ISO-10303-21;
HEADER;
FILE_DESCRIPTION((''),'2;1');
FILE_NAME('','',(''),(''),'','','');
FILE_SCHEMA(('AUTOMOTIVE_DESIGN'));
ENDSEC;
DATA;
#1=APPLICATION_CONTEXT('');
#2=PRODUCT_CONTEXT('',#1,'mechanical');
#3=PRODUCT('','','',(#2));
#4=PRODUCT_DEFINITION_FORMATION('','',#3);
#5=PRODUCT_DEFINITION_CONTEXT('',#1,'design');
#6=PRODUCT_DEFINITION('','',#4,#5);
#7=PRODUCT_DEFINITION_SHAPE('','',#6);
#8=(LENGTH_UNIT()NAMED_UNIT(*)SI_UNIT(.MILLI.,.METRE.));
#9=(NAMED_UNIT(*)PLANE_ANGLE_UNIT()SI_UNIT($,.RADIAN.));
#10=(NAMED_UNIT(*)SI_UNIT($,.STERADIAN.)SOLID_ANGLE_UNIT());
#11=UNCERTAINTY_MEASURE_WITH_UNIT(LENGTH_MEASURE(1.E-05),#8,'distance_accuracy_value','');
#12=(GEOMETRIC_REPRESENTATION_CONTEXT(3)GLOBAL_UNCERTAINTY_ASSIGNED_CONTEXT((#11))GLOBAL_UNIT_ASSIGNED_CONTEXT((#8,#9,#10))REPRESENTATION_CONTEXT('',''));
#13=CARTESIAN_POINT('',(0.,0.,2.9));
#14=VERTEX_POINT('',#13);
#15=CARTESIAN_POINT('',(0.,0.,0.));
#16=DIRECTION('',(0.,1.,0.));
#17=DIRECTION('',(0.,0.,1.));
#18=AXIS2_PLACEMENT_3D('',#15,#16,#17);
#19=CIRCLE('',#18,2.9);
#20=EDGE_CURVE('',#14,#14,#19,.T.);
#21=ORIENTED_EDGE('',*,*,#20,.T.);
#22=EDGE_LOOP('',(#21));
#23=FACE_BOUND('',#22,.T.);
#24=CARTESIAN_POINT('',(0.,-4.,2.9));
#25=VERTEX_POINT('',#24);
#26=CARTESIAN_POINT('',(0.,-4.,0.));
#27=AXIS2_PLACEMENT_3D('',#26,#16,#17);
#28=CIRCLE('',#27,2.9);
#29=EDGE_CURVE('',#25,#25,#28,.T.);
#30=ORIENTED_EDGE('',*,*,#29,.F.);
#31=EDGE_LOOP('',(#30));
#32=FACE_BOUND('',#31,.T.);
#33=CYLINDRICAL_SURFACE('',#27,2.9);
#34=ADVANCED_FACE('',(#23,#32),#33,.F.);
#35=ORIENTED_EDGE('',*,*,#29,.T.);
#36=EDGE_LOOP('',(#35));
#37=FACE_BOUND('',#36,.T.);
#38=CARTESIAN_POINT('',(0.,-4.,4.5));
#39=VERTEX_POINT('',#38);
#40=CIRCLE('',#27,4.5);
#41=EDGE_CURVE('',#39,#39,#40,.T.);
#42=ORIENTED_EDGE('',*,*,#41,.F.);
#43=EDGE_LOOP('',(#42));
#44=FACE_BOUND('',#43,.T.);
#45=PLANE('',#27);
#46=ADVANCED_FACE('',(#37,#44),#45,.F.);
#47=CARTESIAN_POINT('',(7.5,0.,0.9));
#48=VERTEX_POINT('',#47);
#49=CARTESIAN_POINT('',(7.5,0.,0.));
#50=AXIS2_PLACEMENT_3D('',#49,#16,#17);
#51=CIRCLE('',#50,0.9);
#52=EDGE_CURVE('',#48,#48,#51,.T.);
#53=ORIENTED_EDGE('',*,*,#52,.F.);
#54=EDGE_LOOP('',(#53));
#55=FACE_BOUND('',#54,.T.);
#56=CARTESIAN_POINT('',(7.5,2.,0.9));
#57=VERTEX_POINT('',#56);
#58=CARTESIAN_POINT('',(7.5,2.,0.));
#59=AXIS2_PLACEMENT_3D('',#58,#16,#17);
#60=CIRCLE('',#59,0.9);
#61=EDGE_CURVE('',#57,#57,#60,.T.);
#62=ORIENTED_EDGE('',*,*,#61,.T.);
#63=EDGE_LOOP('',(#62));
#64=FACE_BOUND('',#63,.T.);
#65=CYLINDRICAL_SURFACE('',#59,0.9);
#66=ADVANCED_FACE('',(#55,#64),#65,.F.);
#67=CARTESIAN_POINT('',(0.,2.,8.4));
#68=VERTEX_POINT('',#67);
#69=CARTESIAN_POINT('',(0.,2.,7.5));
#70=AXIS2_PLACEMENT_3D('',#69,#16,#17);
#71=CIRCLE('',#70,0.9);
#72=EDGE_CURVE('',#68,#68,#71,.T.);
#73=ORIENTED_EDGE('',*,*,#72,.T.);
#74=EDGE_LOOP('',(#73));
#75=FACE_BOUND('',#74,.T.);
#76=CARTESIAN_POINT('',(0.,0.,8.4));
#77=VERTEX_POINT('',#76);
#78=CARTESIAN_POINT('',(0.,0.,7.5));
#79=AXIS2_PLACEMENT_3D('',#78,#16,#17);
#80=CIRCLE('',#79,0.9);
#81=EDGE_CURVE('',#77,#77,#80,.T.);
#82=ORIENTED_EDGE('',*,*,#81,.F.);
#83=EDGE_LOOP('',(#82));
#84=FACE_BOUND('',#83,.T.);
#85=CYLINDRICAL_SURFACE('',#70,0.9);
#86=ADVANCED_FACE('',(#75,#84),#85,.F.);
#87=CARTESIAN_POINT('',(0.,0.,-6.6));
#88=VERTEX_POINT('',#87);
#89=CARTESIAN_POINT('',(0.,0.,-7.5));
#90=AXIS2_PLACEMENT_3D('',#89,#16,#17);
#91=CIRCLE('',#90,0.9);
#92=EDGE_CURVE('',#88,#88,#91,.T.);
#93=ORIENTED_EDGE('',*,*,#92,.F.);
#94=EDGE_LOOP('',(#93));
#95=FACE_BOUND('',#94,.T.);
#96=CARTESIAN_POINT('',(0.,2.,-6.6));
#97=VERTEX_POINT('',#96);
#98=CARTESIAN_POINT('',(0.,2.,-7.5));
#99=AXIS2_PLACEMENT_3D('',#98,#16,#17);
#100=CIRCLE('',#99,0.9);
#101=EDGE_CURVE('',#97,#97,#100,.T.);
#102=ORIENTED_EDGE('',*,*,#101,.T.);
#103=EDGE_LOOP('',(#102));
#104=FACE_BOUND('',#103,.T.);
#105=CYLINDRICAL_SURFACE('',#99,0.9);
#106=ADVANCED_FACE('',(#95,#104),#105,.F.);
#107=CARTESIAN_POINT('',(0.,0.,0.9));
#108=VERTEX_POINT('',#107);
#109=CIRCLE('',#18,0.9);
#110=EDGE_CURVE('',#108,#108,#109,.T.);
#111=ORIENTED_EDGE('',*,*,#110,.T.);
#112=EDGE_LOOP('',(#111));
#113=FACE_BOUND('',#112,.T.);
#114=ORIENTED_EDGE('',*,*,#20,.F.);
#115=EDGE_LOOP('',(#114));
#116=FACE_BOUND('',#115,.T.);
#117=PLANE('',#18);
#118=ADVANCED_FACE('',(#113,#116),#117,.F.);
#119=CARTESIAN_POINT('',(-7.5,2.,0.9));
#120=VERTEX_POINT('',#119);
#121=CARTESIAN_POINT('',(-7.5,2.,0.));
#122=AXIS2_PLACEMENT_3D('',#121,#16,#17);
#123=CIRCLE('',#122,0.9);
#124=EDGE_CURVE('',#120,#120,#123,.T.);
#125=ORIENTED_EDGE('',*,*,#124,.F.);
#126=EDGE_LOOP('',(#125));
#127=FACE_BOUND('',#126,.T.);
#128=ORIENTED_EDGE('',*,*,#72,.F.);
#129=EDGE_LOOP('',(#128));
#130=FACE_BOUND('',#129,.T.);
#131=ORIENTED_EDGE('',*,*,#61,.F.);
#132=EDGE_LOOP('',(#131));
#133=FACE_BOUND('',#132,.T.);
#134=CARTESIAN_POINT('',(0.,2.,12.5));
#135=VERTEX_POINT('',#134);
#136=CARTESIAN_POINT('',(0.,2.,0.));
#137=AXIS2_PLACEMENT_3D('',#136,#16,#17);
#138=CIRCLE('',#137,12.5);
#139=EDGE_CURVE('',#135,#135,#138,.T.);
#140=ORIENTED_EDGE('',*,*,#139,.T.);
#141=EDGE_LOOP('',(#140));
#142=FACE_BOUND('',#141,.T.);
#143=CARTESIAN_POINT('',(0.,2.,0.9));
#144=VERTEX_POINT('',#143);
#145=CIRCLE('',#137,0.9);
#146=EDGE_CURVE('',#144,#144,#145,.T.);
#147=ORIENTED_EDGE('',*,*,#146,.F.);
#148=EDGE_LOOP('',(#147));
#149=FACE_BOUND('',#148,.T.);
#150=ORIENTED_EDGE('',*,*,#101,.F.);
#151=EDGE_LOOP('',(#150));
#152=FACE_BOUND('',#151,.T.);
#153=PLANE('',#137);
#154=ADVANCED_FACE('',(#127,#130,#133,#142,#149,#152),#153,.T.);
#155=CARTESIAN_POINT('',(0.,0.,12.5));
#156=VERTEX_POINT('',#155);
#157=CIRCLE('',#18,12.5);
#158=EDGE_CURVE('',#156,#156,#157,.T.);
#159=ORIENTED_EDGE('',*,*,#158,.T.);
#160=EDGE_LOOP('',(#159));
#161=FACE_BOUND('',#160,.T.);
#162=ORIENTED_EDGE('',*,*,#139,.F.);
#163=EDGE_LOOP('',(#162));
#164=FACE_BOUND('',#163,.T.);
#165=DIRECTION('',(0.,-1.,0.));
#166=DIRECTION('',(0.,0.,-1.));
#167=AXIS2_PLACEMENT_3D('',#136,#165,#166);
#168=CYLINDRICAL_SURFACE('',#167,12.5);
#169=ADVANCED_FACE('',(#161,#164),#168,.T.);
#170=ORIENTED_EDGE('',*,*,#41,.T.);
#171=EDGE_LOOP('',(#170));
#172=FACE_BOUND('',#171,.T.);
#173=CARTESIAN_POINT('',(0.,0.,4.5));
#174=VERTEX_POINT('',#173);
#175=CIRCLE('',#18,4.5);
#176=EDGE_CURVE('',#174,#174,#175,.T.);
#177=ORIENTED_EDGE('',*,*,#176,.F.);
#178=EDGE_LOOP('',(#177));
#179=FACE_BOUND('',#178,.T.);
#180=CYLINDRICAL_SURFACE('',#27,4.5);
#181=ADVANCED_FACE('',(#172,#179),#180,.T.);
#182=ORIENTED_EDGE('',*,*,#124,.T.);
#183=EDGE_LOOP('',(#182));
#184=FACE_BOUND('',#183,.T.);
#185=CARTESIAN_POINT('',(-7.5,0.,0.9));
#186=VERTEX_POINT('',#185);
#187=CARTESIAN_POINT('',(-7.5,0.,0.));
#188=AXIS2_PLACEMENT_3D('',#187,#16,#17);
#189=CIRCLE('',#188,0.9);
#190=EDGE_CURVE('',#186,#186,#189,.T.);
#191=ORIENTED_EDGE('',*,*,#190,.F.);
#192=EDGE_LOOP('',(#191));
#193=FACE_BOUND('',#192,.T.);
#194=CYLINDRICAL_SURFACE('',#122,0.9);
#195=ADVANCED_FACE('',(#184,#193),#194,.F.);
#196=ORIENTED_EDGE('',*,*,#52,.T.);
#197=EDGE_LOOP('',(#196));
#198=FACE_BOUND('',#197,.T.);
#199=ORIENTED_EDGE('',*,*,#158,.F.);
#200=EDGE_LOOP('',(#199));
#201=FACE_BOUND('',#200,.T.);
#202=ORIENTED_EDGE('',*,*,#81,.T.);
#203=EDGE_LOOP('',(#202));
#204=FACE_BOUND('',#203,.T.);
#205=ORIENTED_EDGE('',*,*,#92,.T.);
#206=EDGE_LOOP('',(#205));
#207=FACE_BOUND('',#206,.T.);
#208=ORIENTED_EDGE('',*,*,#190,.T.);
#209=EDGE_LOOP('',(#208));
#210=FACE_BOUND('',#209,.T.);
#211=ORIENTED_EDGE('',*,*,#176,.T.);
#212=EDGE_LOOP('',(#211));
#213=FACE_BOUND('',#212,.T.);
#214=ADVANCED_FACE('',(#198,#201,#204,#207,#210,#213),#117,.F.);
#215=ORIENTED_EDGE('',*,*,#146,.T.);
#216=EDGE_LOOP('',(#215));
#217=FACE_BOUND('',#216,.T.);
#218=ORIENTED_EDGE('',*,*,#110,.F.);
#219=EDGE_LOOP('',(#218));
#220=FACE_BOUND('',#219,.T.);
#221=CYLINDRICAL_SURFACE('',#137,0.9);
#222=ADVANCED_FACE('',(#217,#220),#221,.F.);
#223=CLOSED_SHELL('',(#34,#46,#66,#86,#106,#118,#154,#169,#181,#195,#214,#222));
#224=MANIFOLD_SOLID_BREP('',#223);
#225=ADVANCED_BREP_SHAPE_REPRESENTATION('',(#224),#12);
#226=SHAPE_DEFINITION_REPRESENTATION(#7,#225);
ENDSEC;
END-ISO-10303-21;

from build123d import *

# Parameters (mm, degrees)
CROQUIS1_R                     = 12.5
CROQUIS1_R_2                   = 4.5
CROQUIS1_R_3                   = 2.9
SALIENTE_EXTRUIR1_DEPTH        = 2
CROQUIS1_3_R                   = 4.5
CROQUIS1_3_R_2                 = 2.9
SALIENTE_EXTRUIR2_DEPTH        = 4
TALADRO_DE_MARGEN_PARA_M1_61_D = 1.8


with BuildPart() as part:
    # Croquis1 → Saliente-Extruir1 (new body)
    # profile 1 of 3: a face of its own
    with BuildSketch(Plane(origin=(0, 0, 0), x_dir=(1, 0, 0), z_dir=(0, 1, 0))):
        with Locations(Location((0, 0, 0), (0, 0, 270))):
            Circle(CROQUIS1_R)
        Circle(CROQUIS1_R_2, mode=Mode.SUBTRACT)
    # profile 2 of 3: a face of its own
    with BuildSketch(Plane(origin=(0, 0, 0), x_dir=(1, 0, 0), z_dir=(0, 1, 0))):
        Circle(CROQUIS1_R_2)
        Circle(CROQUIS1_R_3, mode=Mode.SUBTRACT)
    # profile 3 of 3: a face of its own
    with BuildSketch(Plane(origin=(0, 0, 0), x_dir=(1, 0, 0), z_dir=(0, 1, 0))):
        Circle(CROQUIS1_R_3)
    extrude(amount=SALIENTE_EXTRUIR1_DEPTH)

    # Croquis1<3> → Saliente-Extruir2 (add)
    with BuildSketch(Plane(origin=(0, 0, 0), x_dir=(1, 0, 0), z_dir=(0, 1, 0))):
        with Locations(Location((0, 0, 0), (0, 0, 270))):
            Circle(CROQUIS1_3_R)
        with Locations(Location((0, 0, 0), (0, 0, 270))):
            Circle(CROQUIS1_3_R_2, mode=Mode.SUBTRACT)
    extrude(amount=-SALIENTE_EXTRUIR2_DEPTH)

    # Taladro de margen para M1.61 (through all)
    with Locations(Plane.ZX.offset(2)):
        with Locations((0, 0), (-7.5, 0), (0, 7.5), (7.5, 0), (0, -7.5)):
            Hole(TALADRO_DE_MARGEN_PARA_M1_61_D / 2)


solid = part.part
